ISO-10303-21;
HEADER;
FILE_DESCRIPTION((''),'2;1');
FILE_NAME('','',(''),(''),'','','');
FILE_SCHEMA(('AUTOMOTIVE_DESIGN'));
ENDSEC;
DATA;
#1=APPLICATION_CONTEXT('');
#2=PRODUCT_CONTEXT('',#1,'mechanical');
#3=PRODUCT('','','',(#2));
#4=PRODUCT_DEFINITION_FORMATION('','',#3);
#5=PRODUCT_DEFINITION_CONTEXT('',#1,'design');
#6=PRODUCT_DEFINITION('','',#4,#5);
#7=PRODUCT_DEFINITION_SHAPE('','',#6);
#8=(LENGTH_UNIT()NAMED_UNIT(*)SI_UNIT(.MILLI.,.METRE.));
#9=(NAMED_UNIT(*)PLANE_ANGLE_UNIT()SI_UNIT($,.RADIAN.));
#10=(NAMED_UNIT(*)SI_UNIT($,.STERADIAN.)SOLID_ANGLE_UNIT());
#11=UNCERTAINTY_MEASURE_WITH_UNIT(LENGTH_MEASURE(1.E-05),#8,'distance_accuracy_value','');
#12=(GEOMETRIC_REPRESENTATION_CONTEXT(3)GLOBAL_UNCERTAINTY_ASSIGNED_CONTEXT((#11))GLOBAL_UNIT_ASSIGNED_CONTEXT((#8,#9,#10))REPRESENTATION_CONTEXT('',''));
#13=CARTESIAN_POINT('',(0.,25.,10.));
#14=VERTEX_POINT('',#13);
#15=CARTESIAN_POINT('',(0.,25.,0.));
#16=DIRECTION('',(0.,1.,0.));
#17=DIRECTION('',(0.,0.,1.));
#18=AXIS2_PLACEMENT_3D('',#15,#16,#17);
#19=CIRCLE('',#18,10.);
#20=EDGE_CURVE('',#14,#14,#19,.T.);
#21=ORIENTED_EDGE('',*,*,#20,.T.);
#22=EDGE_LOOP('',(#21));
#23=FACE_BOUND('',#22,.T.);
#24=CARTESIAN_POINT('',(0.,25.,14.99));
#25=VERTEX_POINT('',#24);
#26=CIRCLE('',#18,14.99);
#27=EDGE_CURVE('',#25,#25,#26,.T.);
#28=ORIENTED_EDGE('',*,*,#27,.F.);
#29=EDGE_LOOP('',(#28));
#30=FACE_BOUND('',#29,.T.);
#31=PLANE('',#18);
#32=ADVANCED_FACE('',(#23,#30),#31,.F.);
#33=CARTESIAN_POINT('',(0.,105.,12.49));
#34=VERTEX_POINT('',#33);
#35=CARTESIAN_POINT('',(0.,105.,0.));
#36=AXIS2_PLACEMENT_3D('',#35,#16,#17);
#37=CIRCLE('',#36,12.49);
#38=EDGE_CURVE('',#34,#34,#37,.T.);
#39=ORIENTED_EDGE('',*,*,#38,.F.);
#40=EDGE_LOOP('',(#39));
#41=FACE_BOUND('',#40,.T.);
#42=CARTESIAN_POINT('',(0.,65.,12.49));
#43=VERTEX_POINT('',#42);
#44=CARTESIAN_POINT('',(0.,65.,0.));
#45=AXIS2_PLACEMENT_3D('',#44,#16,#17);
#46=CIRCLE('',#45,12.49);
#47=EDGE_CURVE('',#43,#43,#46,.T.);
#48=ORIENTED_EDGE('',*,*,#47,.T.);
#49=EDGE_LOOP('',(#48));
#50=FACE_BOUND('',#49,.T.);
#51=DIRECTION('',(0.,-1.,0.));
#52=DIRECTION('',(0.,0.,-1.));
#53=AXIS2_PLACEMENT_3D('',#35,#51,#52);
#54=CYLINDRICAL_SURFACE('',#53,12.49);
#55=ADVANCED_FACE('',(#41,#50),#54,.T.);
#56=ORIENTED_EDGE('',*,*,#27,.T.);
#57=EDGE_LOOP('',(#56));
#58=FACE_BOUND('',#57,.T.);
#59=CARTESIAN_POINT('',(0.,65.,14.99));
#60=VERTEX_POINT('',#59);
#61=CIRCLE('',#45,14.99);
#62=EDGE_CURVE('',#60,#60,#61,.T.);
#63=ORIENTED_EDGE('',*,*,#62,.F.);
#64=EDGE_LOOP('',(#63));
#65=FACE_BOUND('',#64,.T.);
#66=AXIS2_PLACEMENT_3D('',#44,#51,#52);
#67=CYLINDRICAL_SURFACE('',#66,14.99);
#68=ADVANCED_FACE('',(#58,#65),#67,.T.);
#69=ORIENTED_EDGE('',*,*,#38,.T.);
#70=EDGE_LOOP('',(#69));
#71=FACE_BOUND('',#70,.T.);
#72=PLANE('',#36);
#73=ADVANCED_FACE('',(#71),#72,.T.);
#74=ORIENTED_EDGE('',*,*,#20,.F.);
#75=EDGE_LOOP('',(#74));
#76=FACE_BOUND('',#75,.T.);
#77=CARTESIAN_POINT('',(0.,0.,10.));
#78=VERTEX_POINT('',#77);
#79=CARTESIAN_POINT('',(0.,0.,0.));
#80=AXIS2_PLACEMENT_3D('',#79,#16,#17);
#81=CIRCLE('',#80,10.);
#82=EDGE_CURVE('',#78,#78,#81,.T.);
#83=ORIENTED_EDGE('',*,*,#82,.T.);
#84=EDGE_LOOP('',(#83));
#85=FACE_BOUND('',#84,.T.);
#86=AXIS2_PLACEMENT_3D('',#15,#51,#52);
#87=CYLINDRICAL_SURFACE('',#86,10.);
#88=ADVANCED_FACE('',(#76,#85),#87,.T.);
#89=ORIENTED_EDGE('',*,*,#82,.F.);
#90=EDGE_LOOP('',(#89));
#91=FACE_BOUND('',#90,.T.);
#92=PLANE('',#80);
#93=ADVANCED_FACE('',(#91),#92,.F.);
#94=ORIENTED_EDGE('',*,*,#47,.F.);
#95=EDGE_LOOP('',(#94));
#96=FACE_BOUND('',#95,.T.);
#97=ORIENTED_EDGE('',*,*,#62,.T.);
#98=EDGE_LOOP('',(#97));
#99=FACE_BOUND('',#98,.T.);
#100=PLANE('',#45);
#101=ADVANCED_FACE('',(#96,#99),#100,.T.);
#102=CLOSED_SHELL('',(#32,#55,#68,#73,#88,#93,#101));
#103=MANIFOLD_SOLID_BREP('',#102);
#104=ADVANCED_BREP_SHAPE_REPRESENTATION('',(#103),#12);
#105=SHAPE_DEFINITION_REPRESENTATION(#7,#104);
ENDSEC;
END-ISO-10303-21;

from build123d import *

# Parameters (mm, degrees)
SKETCH1_R           = 10
BOSS_EXTRUDE3_DEPTH = 25
SKETCH5_R           = 14.99
BOSS_EXTRUDE4_DEPTH = 40
SKETCH6_R           = 12.49
BOSS_EXTRUDE5_DEPTH = 40


with BuildPart() as part:
    # Sketch1 → Boss-Extrude3 (new body)
    with BuildSketch(Plane(origin=(0, 0, 0), x_dir=(1, 0, 0), z_dir=(0, 1, 0))):
        Circle(SKETCH1_R)
    extrude(amount=BOSS_EXTRUDE3_DEPTH)

    # Sketch5 → Boss-Extrude4 (add)
    with BuildSketch(Plane(origin=(0, 25, 0), x_dir=(1, 0, 0), z_dir=(0, 1, 0))):
        Circle(SKETCH5_R)
    extrude(amount=BOSS_EXTRUDE4_DEPTH)

    # Sketch6 → Boss-Extrude5 (add)
    with BuildSketch(Plane(origin=(0, 65, 0), x_dir=(1, 0, 0), z_dir=(0, 1, 0))):
        Circle(SKETCH6_R)
    extrude(amount=BOSS_EXTRUDE5_DEPTH)


solid = part.part
